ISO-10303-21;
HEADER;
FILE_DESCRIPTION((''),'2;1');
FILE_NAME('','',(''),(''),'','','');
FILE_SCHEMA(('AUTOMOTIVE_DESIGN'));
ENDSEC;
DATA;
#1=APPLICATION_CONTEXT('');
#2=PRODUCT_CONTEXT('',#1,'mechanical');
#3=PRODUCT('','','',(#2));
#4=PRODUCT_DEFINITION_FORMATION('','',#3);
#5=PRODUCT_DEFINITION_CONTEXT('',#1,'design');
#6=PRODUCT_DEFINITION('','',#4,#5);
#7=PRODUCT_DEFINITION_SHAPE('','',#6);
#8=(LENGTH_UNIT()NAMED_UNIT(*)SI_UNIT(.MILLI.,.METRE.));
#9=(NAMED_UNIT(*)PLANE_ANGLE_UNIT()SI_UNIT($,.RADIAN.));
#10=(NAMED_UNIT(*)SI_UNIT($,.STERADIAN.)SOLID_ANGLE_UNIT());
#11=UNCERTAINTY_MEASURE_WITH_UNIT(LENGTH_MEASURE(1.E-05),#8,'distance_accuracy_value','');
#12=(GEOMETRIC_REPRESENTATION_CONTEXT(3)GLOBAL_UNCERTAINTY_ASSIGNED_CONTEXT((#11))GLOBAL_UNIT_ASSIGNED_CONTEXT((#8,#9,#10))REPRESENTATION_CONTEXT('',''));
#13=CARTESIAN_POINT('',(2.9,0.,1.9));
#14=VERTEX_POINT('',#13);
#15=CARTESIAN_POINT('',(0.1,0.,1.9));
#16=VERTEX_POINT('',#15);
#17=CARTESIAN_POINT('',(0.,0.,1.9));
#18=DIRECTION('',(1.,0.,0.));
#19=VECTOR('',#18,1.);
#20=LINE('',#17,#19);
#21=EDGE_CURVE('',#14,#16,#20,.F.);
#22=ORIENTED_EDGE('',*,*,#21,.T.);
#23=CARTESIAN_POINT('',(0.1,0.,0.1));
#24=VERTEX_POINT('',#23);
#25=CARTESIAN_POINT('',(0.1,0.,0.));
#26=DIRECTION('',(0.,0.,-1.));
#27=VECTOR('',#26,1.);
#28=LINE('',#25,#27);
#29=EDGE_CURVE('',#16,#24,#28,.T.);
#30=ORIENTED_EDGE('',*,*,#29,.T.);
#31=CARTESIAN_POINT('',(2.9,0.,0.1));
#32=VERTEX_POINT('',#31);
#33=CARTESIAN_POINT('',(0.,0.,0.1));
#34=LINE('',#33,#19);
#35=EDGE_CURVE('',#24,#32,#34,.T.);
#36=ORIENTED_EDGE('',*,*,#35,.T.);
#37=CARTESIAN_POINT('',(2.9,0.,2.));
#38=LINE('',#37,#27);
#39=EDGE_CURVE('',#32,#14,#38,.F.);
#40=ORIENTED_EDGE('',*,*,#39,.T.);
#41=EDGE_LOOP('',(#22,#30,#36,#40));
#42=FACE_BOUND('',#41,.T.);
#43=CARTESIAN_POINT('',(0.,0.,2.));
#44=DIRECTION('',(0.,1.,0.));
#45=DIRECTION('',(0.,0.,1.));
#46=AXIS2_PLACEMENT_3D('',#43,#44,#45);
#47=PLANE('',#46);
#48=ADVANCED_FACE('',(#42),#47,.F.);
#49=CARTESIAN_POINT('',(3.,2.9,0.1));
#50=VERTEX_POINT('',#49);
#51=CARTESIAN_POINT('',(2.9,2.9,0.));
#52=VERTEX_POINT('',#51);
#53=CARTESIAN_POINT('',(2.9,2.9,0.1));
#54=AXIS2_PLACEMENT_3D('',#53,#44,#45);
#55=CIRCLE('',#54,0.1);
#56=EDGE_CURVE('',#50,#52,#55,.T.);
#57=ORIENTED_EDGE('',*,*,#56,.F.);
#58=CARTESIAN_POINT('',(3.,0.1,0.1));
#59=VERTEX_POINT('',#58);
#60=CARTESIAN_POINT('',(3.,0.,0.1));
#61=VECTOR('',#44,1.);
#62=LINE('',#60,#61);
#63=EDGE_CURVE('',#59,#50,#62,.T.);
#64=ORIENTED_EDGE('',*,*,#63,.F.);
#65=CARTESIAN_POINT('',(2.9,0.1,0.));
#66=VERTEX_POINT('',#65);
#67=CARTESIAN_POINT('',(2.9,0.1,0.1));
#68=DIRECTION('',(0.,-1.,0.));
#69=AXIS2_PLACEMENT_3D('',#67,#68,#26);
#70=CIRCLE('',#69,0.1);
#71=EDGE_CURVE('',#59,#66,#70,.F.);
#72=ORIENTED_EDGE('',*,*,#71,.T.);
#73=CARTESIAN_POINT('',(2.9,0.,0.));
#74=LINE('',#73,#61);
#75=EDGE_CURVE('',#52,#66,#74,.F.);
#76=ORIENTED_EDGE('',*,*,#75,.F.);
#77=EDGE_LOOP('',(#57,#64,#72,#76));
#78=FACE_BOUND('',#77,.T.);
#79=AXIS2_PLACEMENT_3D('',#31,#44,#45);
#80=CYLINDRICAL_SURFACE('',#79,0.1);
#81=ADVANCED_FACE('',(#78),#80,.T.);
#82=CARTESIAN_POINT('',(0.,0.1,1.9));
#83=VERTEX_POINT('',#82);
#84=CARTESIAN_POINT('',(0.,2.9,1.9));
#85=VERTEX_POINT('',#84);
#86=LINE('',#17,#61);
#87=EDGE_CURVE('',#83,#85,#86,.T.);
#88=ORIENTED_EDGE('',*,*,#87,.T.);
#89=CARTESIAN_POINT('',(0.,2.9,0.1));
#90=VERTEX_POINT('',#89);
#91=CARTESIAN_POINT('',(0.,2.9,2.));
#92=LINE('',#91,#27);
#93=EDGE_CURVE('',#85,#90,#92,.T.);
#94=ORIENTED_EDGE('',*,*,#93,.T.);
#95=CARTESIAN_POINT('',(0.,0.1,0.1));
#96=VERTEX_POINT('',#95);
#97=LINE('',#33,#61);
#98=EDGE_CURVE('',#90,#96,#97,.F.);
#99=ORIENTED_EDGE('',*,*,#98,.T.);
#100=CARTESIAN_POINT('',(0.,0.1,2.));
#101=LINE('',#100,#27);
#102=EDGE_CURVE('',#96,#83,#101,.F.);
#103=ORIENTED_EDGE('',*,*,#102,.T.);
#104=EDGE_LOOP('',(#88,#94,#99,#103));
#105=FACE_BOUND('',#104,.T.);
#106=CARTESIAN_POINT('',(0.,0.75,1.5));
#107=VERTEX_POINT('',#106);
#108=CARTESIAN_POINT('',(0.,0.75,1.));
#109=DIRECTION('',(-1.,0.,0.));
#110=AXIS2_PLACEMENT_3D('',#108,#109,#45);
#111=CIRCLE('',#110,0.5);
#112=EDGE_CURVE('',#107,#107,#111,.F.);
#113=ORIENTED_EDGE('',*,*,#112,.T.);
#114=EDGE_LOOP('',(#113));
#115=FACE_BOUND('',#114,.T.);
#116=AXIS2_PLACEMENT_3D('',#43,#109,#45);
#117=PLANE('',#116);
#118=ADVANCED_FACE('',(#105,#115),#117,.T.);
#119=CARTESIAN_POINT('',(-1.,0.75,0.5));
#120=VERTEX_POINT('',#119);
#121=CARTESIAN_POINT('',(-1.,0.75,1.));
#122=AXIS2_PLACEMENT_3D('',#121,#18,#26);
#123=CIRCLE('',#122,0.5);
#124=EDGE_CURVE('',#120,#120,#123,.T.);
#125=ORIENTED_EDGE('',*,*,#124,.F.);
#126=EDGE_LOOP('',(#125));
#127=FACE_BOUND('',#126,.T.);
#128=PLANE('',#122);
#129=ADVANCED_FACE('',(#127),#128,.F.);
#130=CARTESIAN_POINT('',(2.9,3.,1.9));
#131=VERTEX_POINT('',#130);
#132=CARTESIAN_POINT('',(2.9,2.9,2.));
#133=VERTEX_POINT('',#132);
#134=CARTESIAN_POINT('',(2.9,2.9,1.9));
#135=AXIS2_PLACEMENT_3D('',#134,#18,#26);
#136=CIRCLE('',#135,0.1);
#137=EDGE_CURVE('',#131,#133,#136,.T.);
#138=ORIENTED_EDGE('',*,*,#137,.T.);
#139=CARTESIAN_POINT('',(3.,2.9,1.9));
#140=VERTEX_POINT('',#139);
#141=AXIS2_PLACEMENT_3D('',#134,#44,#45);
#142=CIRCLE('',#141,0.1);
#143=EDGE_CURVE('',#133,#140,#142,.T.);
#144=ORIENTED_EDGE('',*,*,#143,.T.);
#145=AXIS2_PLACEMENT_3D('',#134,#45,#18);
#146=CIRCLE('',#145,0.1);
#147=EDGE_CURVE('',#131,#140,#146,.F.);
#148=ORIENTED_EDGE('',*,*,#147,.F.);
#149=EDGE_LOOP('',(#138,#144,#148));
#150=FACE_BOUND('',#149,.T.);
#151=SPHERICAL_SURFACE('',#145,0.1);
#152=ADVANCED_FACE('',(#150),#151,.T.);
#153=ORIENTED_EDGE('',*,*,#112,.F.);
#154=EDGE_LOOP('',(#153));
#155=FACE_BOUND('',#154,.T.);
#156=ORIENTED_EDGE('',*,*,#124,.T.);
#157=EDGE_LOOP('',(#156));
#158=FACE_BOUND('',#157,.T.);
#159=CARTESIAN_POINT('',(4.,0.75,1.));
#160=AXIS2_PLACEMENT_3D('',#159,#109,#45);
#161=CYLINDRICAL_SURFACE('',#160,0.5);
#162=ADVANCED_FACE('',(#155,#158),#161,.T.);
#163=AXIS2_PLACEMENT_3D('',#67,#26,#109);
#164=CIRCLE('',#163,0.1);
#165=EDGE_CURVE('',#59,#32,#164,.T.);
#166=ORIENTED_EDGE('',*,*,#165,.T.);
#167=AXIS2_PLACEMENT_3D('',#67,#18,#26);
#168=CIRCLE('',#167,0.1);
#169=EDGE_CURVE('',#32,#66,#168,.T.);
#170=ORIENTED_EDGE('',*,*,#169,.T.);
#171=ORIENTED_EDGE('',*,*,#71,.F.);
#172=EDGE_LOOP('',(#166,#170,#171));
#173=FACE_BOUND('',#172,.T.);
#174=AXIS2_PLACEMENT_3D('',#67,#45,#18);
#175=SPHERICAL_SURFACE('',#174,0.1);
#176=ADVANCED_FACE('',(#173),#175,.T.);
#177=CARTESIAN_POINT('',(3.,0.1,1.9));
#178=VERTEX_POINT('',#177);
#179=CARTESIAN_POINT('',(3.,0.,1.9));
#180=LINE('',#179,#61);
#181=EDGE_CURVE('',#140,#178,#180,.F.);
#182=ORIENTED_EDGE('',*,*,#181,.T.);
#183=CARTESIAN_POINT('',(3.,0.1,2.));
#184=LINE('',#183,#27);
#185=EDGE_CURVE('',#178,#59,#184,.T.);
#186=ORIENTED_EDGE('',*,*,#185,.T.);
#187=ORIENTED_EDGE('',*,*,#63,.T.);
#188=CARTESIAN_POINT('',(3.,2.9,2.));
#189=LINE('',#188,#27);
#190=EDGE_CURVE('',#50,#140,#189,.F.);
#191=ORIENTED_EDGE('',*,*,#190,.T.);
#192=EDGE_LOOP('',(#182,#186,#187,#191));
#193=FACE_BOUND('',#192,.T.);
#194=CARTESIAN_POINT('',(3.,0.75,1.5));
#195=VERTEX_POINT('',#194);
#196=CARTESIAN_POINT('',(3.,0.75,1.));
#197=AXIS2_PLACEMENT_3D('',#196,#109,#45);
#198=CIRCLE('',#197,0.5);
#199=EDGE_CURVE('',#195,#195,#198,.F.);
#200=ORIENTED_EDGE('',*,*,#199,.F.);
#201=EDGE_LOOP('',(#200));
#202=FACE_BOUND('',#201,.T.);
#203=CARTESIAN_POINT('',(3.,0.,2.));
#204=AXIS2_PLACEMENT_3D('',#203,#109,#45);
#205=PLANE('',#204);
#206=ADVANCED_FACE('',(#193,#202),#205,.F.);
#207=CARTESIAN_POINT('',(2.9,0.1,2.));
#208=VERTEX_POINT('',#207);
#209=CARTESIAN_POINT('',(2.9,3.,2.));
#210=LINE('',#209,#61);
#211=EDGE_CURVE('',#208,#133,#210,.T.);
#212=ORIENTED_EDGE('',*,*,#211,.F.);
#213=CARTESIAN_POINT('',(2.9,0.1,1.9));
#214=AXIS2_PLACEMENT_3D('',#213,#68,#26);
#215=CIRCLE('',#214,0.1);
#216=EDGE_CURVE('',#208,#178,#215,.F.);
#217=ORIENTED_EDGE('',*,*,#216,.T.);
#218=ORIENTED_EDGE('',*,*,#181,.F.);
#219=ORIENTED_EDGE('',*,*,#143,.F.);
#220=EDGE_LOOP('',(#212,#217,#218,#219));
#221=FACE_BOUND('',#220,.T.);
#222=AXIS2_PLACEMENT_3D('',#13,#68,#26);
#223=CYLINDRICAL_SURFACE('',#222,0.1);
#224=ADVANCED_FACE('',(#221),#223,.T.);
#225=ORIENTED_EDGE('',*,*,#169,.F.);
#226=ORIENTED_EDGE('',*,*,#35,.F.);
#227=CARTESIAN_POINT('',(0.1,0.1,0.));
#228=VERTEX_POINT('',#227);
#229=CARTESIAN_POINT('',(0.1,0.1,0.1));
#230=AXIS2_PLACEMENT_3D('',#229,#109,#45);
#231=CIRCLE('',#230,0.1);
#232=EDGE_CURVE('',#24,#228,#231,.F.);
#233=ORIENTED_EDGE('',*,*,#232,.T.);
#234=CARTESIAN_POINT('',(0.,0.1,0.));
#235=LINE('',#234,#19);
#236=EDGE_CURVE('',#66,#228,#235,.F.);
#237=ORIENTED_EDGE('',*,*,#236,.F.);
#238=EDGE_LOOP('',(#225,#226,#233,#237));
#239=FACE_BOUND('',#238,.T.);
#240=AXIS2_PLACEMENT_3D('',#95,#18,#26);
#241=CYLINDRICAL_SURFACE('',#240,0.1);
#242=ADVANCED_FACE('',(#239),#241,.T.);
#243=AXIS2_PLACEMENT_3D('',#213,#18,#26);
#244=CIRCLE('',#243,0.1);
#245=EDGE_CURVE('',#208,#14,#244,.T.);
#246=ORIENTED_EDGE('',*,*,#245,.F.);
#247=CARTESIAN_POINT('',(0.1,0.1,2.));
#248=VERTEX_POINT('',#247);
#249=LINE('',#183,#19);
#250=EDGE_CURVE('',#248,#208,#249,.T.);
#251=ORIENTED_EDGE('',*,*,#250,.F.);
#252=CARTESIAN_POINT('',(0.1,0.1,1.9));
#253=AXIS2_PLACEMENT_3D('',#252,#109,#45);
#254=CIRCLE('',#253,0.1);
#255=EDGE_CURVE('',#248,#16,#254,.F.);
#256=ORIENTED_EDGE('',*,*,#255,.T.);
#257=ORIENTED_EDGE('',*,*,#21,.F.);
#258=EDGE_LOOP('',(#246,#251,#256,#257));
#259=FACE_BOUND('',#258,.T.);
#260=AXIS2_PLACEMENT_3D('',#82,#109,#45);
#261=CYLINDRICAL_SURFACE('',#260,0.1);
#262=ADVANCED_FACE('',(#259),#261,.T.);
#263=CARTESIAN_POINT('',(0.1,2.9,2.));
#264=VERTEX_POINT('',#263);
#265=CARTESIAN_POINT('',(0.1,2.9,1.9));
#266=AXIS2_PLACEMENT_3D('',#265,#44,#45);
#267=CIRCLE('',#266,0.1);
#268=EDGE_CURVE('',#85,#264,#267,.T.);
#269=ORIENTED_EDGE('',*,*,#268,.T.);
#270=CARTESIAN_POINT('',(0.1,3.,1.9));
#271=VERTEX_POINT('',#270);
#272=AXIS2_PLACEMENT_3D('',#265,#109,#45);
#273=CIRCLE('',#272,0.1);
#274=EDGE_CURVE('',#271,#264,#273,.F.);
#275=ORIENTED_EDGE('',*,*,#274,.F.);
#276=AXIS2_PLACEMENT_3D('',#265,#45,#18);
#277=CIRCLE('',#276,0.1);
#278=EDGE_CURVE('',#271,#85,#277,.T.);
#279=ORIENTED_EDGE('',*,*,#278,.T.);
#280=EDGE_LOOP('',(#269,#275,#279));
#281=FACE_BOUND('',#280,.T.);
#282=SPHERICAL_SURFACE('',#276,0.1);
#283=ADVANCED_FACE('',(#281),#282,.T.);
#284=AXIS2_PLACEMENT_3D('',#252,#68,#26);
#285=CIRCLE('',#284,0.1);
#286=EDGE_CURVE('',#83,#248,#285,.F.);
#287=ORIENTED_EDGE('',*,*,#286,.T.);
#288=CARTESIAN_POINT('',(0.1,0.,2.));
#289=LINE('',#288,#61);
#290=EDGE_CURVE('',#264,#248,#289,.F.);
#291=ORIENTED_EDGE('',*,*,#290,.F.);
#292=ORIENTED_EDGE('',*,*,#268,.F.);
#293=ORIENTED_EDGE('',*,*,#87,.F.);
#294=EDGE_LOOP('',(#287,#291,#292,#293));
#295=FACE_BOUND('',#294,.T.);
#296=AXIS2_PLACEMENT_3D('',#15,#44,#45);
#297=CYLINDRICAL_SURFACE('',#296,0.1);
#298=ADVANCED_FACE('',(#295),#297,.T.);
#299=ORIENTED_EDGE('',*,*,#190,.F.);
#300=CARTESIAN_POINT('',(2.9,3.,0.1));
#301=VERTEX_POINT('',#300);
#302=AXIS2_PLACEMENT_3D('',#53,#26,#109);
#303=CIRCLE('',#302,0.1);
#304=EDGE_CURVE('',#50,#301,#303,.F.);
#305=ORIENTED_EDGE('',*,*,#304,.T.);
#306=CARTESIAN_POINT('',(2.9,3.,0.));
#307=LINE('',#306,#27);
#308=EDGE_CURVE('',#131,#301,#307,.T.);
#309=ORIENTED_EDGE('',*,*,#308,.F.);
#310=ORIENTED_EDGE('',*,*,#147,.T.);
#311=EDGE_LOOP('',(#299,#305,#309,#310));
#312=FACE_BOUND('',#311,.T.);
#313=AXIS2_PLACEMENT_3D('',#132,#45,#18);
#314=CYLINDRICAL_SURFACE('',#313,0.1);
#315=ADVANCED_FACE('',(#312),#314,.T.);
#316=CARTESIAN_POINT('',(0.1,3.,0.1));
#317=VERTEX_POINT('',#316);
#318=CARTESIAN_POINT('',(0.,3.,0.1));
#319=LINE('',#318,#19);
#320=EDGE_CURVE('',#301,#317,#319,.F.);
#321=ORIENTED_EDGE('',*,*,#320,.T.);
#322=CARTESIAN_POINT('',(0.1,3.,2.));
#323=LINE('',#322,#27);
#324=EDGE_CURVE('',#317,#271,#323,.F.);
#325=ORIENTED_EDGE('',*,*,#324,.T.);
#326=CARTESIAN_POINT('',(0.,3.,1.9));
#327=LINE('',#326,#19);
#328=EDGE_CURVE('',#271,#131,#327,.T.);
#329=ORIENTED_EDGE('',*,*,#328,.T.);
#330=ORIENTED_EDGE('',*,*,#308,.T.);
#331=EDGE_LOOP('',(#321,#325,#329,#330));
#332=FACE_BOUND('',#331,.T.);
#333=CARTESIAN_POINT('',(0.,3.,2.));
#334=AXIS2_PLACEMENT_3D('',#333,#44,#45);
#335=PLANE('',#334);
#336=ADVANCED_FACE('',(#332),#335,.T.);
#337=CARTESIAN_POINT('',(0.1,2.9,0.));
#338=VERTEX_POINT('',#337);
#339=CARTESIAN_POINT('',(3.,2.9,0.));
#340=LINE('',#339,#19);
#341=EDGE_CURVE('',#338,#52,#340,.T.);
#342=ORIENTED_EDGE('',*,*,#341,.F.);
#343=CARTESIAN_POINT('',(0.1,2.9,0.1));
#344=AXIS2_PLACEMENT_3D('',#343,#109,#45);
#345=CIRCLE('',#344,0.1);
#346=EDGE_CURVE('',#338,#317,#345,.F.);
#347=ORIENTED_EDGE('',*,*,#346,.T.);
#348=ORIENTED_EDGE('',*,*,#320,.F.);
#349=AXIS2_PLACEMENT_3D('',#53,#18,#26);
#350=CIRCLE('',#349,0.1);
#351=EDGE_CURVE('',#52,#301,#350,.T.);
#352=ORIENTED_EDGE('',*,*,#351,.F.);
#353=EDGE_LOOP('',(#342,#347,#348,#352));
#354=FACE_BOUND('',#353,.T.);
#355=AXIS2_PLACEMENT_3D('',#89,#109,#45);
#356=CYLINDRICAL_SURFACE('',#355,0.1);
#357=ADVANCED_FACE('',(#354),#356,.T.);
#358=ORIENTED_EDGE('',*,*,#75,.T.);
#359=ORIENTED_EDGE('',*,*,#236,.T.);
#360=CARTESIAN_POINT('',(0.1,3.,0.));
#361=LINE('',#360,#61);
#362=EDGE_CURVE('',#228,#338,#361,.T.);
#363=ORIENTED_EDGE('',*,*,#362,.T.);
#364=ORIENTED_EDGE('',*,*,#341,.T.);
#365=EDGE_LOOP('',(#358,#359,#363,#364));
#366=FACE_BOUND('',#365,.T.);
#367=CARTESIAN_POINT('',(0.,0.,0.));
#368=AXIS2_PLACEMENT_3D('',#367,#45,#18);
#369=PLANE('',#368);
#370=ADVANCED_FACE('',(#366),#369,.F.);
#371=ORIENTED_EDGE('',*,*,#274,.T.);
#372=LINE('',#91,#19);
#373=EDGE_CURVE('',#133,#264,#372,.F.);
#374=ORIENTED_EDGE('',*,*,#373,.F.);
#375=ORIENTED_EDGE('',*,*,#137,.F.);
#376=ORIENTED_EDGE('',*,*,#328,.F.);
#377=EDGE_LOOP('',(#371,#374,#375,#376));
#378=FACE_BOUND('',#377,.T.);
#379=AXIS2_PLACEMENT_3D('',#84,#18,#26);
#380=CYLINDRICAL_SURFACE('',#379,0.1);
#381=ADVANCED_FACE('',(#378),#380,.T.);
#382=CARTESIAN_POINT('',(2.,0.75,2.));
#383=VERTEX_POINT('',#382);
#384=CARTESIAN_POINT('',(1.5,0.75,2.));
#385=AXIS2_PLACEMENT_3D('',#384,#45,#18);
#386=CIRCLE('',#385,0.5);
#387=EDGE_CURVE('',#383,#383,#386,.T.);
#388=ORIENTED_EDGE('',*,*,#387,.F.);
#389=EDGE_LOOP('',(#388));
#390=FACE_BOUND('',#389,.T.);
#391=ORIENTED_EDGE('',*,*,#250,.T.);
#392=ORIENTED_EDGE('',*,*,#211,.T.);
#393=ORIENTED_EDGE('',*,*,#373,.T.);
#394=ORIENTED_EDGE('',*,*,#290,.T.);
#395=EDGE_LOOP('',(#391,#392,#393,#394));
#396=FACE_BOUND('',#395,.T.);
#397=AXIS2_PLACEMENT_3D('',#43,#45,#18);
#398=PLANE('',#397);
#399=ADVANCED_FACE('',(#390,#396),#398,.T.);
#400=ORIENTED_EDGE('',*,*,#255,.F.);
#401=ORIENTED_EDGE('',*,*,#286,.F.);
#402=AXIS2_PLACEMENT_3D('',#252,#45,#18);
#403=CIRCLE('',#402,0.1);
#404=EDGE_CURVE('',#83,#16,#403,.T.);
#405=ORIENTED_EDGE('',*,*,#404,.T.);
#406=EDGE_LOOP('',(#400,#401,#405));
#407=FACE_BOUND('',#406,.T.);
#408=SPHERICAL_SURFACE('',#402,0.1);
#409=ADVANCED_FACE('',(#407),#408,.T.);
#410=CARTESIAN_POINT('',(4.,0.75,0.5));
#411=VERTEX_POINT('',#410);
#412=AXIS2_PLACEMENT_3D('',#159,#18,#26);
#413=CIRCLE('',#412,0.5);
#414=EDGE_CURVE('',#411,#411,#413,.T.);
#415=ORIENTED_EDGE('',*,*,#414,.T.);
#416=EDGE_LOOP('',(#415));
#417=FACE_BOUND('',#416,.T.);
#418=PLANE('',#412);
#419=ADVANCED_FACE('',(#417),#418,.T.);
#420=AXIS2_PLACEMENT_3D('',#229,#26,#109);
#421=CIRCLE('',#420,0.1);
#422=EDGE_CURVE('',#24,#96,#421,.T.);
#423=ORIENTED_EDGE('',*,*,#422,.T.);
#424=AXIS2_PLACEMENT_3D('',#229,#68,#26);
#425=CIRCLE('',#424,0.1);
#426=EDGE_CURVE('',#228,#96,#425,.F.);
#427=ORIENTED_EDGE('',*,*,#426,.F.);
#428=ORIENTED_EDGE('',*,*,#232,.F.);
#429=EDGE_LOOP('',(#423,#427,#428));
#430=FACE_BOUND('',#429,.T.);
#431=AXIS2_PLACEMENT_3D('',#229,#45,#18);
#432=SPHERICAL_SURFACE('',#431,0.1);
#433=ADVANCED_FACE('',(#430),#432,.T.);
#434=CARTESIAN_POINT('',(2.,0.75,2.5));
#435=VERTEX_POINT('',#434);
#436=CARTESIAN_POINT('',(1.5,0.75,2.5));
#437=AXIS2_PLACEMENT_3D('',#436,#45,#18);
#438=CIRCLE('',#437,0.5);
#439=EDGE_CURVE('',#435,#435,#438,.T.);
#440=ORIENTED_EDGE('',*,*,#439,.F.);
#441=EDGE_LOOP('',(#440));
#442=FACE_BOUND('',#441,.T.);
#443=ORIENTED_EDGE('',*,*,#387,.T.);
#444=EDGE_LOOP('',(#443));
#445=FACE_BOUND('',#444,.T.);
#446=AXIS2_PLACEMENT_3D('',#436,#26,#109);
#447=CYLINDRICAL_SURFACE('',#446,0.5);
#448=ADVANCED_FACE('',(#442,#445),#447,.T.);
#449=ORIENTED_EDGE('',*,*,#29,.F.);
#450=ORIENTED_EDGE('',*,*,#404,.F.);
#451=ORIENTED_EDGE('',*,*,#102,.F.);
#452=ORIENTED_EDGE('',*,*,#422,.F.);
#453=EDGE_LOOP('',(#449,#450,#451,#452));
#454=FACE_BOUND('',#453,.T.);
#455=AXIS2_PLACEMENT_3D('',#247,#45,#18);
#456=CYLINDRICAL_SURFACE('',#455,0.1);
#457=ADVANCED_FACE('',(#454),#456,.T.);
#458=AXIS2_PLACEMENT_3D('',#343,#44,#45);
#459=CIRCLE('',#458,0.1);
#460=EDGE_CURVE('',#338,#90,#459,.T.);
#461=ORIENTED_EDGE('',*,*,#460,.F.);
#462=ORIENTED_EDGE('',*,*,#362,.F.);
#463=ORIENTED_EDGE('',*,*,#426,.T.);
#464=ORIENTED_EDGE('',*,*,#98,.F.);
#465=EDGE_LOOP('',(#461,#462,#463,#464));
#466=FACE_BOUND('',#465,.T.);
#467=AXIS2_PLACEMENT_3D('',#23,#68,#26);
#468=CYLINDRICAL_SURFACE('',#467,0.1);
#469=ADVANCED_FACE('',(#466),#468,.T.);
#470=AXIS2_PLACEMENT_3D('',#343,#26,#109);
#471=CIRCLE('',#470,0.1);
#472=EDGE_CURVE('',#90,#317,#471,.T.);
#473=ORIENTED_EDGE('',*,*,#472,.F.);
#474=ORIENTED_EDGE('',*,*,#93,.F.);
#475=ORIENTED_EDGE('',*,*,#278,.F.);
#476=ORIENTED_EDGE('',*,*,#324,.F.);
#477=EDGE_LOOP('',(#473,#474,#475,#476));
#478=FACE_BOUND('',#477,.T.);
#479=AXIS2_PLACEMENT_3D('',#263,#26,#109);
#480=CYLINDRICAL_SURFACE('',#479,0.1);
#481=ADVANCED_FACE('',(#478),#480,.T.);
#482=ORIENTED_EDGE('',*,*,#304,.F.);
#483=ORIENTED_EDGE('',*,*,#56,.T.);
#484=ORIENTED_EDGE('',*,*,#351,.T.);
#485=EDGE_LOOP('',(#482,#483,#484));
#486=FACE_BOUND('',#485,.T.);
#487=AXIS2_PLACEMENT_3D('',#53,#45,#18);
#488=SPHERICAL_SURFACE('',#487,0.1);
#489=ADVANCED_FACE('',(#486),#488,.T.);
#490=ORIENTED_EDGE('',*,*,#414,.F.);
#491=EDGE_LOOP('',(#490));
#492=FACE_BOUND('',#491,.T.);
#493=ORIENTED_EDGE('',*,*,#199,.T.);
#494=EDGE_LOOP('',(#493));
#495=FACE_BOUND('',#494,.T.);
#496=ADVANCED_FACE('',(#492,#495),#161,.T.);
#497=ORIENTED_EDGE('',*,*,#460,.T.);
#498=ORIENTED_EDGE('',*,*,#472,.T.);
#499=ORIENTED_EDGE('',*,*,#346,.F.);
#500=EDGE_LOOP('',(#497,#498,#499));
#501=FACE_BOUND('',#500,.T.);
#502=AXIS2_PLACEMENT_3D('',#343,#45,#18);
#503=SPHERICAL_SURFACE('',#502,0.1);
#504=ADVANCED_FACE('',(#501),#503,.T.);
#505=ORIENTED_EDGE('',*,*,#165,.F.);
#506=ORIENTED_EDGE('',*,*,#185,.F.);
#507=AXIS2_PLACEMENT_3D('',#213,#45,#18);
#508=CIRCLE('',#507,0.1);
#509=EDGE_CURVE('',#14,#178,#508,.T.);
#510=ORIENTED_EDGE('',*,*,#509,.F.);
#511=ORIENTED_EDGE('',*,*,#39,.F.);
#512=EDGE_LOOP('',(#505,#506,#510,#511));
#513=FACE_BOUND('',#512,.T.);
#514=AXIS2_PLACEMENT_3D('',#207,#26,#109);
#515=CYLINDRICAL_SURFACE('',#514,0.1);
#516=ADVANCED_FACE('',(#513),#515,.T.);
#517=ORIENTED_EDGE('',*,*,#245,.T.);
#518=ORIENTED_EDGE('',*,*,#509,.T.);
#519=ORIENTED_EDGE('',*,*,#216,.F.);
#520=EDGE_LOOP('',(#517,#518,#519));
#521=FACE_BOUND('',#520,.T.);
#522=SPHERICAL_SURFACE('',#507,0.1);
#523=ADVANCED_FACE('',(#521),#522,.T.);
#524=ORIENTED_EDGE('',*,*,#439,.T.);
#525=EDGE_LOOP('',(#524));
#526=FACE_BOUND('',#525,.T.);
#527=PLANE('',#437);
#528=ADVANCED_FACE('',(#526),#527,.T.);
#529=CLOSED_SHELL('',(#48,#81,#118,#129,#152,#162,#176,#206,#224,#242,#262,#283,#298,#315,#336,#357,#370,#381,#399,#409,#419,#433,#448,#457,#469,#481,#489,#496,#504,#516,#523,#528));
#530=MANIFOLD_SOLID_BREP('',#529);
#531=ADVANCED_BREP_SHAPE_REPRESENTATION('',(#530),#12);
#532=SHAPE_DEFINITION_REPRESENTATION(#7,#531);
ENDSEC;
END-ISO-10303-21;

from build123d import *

# Parameters (mm, degrees)
SKETCH1_W           = 3
SKETCH1_H           = 3
BOSS_EXTRUDE1_DEPTH = 2
SKETCH3_R           = 0.5
BOSS_EXTRUDE2_DEPTH = 2.5
FILLET1_R           = 0.1
SKETCH4_R           = 0.5
BOSS_EXTRUDE3_DEPTH = 0.5


with BuildPart() as part:
    # Sketch1 → Boss-Extrude1 (new body)
    with BuildSketch(Plane.XY):
        with Locations((1.5, 1.5)):
            Rectangle(SKETCH1_W, SKETCH1_H)
    extrude(amount=BOSS_EXTRUDE1_DEPTH)

    # Sketch3 → Boss-Extrude2 (add, symmetric)
    with BuildSketch(Plane(origin=(1.5, 0, 0), x_dir=(0, 0, -1), z_dir=(1, 0, 0))):
        with Locations(Location((-1, 0.75, 0), (0, 0, 180))):
            Circle(SKETCH3_R)
    extrude(amount=BOSS_EXTRUDE2_DEPTH, both=True)

    # Fillet1
    fillet1_edges = [part.edges().sort_by_distance(p)[0] for p in [
        (1.5, 3, 2),
        (0, 1.5, 2),
        (1.5, 0, 2),
        (0, 1.5, 0),
        (1.5, 3, 0),
        (3, 1.5, 0),
        (1.5, 0, 0),
        (3, 1.5, 2),
        (0, 0, 1),
        (0, 3, 1),
        (3, 3, 1),
        (3, 0, 1),
    ]]
    fillet(fillet1_edges, radius=FILLET1_R)

    # Sketch4 → Boss-Extrude3 (add)
    with BuildSketch(Plane.XY.offset(2)):
        with Locations((1.5, 0.75)):
            Circle(SKETCH4_R)
    extrude(amount=BOSS_EXTRUDE3_DEPTH)


solid = part.part
